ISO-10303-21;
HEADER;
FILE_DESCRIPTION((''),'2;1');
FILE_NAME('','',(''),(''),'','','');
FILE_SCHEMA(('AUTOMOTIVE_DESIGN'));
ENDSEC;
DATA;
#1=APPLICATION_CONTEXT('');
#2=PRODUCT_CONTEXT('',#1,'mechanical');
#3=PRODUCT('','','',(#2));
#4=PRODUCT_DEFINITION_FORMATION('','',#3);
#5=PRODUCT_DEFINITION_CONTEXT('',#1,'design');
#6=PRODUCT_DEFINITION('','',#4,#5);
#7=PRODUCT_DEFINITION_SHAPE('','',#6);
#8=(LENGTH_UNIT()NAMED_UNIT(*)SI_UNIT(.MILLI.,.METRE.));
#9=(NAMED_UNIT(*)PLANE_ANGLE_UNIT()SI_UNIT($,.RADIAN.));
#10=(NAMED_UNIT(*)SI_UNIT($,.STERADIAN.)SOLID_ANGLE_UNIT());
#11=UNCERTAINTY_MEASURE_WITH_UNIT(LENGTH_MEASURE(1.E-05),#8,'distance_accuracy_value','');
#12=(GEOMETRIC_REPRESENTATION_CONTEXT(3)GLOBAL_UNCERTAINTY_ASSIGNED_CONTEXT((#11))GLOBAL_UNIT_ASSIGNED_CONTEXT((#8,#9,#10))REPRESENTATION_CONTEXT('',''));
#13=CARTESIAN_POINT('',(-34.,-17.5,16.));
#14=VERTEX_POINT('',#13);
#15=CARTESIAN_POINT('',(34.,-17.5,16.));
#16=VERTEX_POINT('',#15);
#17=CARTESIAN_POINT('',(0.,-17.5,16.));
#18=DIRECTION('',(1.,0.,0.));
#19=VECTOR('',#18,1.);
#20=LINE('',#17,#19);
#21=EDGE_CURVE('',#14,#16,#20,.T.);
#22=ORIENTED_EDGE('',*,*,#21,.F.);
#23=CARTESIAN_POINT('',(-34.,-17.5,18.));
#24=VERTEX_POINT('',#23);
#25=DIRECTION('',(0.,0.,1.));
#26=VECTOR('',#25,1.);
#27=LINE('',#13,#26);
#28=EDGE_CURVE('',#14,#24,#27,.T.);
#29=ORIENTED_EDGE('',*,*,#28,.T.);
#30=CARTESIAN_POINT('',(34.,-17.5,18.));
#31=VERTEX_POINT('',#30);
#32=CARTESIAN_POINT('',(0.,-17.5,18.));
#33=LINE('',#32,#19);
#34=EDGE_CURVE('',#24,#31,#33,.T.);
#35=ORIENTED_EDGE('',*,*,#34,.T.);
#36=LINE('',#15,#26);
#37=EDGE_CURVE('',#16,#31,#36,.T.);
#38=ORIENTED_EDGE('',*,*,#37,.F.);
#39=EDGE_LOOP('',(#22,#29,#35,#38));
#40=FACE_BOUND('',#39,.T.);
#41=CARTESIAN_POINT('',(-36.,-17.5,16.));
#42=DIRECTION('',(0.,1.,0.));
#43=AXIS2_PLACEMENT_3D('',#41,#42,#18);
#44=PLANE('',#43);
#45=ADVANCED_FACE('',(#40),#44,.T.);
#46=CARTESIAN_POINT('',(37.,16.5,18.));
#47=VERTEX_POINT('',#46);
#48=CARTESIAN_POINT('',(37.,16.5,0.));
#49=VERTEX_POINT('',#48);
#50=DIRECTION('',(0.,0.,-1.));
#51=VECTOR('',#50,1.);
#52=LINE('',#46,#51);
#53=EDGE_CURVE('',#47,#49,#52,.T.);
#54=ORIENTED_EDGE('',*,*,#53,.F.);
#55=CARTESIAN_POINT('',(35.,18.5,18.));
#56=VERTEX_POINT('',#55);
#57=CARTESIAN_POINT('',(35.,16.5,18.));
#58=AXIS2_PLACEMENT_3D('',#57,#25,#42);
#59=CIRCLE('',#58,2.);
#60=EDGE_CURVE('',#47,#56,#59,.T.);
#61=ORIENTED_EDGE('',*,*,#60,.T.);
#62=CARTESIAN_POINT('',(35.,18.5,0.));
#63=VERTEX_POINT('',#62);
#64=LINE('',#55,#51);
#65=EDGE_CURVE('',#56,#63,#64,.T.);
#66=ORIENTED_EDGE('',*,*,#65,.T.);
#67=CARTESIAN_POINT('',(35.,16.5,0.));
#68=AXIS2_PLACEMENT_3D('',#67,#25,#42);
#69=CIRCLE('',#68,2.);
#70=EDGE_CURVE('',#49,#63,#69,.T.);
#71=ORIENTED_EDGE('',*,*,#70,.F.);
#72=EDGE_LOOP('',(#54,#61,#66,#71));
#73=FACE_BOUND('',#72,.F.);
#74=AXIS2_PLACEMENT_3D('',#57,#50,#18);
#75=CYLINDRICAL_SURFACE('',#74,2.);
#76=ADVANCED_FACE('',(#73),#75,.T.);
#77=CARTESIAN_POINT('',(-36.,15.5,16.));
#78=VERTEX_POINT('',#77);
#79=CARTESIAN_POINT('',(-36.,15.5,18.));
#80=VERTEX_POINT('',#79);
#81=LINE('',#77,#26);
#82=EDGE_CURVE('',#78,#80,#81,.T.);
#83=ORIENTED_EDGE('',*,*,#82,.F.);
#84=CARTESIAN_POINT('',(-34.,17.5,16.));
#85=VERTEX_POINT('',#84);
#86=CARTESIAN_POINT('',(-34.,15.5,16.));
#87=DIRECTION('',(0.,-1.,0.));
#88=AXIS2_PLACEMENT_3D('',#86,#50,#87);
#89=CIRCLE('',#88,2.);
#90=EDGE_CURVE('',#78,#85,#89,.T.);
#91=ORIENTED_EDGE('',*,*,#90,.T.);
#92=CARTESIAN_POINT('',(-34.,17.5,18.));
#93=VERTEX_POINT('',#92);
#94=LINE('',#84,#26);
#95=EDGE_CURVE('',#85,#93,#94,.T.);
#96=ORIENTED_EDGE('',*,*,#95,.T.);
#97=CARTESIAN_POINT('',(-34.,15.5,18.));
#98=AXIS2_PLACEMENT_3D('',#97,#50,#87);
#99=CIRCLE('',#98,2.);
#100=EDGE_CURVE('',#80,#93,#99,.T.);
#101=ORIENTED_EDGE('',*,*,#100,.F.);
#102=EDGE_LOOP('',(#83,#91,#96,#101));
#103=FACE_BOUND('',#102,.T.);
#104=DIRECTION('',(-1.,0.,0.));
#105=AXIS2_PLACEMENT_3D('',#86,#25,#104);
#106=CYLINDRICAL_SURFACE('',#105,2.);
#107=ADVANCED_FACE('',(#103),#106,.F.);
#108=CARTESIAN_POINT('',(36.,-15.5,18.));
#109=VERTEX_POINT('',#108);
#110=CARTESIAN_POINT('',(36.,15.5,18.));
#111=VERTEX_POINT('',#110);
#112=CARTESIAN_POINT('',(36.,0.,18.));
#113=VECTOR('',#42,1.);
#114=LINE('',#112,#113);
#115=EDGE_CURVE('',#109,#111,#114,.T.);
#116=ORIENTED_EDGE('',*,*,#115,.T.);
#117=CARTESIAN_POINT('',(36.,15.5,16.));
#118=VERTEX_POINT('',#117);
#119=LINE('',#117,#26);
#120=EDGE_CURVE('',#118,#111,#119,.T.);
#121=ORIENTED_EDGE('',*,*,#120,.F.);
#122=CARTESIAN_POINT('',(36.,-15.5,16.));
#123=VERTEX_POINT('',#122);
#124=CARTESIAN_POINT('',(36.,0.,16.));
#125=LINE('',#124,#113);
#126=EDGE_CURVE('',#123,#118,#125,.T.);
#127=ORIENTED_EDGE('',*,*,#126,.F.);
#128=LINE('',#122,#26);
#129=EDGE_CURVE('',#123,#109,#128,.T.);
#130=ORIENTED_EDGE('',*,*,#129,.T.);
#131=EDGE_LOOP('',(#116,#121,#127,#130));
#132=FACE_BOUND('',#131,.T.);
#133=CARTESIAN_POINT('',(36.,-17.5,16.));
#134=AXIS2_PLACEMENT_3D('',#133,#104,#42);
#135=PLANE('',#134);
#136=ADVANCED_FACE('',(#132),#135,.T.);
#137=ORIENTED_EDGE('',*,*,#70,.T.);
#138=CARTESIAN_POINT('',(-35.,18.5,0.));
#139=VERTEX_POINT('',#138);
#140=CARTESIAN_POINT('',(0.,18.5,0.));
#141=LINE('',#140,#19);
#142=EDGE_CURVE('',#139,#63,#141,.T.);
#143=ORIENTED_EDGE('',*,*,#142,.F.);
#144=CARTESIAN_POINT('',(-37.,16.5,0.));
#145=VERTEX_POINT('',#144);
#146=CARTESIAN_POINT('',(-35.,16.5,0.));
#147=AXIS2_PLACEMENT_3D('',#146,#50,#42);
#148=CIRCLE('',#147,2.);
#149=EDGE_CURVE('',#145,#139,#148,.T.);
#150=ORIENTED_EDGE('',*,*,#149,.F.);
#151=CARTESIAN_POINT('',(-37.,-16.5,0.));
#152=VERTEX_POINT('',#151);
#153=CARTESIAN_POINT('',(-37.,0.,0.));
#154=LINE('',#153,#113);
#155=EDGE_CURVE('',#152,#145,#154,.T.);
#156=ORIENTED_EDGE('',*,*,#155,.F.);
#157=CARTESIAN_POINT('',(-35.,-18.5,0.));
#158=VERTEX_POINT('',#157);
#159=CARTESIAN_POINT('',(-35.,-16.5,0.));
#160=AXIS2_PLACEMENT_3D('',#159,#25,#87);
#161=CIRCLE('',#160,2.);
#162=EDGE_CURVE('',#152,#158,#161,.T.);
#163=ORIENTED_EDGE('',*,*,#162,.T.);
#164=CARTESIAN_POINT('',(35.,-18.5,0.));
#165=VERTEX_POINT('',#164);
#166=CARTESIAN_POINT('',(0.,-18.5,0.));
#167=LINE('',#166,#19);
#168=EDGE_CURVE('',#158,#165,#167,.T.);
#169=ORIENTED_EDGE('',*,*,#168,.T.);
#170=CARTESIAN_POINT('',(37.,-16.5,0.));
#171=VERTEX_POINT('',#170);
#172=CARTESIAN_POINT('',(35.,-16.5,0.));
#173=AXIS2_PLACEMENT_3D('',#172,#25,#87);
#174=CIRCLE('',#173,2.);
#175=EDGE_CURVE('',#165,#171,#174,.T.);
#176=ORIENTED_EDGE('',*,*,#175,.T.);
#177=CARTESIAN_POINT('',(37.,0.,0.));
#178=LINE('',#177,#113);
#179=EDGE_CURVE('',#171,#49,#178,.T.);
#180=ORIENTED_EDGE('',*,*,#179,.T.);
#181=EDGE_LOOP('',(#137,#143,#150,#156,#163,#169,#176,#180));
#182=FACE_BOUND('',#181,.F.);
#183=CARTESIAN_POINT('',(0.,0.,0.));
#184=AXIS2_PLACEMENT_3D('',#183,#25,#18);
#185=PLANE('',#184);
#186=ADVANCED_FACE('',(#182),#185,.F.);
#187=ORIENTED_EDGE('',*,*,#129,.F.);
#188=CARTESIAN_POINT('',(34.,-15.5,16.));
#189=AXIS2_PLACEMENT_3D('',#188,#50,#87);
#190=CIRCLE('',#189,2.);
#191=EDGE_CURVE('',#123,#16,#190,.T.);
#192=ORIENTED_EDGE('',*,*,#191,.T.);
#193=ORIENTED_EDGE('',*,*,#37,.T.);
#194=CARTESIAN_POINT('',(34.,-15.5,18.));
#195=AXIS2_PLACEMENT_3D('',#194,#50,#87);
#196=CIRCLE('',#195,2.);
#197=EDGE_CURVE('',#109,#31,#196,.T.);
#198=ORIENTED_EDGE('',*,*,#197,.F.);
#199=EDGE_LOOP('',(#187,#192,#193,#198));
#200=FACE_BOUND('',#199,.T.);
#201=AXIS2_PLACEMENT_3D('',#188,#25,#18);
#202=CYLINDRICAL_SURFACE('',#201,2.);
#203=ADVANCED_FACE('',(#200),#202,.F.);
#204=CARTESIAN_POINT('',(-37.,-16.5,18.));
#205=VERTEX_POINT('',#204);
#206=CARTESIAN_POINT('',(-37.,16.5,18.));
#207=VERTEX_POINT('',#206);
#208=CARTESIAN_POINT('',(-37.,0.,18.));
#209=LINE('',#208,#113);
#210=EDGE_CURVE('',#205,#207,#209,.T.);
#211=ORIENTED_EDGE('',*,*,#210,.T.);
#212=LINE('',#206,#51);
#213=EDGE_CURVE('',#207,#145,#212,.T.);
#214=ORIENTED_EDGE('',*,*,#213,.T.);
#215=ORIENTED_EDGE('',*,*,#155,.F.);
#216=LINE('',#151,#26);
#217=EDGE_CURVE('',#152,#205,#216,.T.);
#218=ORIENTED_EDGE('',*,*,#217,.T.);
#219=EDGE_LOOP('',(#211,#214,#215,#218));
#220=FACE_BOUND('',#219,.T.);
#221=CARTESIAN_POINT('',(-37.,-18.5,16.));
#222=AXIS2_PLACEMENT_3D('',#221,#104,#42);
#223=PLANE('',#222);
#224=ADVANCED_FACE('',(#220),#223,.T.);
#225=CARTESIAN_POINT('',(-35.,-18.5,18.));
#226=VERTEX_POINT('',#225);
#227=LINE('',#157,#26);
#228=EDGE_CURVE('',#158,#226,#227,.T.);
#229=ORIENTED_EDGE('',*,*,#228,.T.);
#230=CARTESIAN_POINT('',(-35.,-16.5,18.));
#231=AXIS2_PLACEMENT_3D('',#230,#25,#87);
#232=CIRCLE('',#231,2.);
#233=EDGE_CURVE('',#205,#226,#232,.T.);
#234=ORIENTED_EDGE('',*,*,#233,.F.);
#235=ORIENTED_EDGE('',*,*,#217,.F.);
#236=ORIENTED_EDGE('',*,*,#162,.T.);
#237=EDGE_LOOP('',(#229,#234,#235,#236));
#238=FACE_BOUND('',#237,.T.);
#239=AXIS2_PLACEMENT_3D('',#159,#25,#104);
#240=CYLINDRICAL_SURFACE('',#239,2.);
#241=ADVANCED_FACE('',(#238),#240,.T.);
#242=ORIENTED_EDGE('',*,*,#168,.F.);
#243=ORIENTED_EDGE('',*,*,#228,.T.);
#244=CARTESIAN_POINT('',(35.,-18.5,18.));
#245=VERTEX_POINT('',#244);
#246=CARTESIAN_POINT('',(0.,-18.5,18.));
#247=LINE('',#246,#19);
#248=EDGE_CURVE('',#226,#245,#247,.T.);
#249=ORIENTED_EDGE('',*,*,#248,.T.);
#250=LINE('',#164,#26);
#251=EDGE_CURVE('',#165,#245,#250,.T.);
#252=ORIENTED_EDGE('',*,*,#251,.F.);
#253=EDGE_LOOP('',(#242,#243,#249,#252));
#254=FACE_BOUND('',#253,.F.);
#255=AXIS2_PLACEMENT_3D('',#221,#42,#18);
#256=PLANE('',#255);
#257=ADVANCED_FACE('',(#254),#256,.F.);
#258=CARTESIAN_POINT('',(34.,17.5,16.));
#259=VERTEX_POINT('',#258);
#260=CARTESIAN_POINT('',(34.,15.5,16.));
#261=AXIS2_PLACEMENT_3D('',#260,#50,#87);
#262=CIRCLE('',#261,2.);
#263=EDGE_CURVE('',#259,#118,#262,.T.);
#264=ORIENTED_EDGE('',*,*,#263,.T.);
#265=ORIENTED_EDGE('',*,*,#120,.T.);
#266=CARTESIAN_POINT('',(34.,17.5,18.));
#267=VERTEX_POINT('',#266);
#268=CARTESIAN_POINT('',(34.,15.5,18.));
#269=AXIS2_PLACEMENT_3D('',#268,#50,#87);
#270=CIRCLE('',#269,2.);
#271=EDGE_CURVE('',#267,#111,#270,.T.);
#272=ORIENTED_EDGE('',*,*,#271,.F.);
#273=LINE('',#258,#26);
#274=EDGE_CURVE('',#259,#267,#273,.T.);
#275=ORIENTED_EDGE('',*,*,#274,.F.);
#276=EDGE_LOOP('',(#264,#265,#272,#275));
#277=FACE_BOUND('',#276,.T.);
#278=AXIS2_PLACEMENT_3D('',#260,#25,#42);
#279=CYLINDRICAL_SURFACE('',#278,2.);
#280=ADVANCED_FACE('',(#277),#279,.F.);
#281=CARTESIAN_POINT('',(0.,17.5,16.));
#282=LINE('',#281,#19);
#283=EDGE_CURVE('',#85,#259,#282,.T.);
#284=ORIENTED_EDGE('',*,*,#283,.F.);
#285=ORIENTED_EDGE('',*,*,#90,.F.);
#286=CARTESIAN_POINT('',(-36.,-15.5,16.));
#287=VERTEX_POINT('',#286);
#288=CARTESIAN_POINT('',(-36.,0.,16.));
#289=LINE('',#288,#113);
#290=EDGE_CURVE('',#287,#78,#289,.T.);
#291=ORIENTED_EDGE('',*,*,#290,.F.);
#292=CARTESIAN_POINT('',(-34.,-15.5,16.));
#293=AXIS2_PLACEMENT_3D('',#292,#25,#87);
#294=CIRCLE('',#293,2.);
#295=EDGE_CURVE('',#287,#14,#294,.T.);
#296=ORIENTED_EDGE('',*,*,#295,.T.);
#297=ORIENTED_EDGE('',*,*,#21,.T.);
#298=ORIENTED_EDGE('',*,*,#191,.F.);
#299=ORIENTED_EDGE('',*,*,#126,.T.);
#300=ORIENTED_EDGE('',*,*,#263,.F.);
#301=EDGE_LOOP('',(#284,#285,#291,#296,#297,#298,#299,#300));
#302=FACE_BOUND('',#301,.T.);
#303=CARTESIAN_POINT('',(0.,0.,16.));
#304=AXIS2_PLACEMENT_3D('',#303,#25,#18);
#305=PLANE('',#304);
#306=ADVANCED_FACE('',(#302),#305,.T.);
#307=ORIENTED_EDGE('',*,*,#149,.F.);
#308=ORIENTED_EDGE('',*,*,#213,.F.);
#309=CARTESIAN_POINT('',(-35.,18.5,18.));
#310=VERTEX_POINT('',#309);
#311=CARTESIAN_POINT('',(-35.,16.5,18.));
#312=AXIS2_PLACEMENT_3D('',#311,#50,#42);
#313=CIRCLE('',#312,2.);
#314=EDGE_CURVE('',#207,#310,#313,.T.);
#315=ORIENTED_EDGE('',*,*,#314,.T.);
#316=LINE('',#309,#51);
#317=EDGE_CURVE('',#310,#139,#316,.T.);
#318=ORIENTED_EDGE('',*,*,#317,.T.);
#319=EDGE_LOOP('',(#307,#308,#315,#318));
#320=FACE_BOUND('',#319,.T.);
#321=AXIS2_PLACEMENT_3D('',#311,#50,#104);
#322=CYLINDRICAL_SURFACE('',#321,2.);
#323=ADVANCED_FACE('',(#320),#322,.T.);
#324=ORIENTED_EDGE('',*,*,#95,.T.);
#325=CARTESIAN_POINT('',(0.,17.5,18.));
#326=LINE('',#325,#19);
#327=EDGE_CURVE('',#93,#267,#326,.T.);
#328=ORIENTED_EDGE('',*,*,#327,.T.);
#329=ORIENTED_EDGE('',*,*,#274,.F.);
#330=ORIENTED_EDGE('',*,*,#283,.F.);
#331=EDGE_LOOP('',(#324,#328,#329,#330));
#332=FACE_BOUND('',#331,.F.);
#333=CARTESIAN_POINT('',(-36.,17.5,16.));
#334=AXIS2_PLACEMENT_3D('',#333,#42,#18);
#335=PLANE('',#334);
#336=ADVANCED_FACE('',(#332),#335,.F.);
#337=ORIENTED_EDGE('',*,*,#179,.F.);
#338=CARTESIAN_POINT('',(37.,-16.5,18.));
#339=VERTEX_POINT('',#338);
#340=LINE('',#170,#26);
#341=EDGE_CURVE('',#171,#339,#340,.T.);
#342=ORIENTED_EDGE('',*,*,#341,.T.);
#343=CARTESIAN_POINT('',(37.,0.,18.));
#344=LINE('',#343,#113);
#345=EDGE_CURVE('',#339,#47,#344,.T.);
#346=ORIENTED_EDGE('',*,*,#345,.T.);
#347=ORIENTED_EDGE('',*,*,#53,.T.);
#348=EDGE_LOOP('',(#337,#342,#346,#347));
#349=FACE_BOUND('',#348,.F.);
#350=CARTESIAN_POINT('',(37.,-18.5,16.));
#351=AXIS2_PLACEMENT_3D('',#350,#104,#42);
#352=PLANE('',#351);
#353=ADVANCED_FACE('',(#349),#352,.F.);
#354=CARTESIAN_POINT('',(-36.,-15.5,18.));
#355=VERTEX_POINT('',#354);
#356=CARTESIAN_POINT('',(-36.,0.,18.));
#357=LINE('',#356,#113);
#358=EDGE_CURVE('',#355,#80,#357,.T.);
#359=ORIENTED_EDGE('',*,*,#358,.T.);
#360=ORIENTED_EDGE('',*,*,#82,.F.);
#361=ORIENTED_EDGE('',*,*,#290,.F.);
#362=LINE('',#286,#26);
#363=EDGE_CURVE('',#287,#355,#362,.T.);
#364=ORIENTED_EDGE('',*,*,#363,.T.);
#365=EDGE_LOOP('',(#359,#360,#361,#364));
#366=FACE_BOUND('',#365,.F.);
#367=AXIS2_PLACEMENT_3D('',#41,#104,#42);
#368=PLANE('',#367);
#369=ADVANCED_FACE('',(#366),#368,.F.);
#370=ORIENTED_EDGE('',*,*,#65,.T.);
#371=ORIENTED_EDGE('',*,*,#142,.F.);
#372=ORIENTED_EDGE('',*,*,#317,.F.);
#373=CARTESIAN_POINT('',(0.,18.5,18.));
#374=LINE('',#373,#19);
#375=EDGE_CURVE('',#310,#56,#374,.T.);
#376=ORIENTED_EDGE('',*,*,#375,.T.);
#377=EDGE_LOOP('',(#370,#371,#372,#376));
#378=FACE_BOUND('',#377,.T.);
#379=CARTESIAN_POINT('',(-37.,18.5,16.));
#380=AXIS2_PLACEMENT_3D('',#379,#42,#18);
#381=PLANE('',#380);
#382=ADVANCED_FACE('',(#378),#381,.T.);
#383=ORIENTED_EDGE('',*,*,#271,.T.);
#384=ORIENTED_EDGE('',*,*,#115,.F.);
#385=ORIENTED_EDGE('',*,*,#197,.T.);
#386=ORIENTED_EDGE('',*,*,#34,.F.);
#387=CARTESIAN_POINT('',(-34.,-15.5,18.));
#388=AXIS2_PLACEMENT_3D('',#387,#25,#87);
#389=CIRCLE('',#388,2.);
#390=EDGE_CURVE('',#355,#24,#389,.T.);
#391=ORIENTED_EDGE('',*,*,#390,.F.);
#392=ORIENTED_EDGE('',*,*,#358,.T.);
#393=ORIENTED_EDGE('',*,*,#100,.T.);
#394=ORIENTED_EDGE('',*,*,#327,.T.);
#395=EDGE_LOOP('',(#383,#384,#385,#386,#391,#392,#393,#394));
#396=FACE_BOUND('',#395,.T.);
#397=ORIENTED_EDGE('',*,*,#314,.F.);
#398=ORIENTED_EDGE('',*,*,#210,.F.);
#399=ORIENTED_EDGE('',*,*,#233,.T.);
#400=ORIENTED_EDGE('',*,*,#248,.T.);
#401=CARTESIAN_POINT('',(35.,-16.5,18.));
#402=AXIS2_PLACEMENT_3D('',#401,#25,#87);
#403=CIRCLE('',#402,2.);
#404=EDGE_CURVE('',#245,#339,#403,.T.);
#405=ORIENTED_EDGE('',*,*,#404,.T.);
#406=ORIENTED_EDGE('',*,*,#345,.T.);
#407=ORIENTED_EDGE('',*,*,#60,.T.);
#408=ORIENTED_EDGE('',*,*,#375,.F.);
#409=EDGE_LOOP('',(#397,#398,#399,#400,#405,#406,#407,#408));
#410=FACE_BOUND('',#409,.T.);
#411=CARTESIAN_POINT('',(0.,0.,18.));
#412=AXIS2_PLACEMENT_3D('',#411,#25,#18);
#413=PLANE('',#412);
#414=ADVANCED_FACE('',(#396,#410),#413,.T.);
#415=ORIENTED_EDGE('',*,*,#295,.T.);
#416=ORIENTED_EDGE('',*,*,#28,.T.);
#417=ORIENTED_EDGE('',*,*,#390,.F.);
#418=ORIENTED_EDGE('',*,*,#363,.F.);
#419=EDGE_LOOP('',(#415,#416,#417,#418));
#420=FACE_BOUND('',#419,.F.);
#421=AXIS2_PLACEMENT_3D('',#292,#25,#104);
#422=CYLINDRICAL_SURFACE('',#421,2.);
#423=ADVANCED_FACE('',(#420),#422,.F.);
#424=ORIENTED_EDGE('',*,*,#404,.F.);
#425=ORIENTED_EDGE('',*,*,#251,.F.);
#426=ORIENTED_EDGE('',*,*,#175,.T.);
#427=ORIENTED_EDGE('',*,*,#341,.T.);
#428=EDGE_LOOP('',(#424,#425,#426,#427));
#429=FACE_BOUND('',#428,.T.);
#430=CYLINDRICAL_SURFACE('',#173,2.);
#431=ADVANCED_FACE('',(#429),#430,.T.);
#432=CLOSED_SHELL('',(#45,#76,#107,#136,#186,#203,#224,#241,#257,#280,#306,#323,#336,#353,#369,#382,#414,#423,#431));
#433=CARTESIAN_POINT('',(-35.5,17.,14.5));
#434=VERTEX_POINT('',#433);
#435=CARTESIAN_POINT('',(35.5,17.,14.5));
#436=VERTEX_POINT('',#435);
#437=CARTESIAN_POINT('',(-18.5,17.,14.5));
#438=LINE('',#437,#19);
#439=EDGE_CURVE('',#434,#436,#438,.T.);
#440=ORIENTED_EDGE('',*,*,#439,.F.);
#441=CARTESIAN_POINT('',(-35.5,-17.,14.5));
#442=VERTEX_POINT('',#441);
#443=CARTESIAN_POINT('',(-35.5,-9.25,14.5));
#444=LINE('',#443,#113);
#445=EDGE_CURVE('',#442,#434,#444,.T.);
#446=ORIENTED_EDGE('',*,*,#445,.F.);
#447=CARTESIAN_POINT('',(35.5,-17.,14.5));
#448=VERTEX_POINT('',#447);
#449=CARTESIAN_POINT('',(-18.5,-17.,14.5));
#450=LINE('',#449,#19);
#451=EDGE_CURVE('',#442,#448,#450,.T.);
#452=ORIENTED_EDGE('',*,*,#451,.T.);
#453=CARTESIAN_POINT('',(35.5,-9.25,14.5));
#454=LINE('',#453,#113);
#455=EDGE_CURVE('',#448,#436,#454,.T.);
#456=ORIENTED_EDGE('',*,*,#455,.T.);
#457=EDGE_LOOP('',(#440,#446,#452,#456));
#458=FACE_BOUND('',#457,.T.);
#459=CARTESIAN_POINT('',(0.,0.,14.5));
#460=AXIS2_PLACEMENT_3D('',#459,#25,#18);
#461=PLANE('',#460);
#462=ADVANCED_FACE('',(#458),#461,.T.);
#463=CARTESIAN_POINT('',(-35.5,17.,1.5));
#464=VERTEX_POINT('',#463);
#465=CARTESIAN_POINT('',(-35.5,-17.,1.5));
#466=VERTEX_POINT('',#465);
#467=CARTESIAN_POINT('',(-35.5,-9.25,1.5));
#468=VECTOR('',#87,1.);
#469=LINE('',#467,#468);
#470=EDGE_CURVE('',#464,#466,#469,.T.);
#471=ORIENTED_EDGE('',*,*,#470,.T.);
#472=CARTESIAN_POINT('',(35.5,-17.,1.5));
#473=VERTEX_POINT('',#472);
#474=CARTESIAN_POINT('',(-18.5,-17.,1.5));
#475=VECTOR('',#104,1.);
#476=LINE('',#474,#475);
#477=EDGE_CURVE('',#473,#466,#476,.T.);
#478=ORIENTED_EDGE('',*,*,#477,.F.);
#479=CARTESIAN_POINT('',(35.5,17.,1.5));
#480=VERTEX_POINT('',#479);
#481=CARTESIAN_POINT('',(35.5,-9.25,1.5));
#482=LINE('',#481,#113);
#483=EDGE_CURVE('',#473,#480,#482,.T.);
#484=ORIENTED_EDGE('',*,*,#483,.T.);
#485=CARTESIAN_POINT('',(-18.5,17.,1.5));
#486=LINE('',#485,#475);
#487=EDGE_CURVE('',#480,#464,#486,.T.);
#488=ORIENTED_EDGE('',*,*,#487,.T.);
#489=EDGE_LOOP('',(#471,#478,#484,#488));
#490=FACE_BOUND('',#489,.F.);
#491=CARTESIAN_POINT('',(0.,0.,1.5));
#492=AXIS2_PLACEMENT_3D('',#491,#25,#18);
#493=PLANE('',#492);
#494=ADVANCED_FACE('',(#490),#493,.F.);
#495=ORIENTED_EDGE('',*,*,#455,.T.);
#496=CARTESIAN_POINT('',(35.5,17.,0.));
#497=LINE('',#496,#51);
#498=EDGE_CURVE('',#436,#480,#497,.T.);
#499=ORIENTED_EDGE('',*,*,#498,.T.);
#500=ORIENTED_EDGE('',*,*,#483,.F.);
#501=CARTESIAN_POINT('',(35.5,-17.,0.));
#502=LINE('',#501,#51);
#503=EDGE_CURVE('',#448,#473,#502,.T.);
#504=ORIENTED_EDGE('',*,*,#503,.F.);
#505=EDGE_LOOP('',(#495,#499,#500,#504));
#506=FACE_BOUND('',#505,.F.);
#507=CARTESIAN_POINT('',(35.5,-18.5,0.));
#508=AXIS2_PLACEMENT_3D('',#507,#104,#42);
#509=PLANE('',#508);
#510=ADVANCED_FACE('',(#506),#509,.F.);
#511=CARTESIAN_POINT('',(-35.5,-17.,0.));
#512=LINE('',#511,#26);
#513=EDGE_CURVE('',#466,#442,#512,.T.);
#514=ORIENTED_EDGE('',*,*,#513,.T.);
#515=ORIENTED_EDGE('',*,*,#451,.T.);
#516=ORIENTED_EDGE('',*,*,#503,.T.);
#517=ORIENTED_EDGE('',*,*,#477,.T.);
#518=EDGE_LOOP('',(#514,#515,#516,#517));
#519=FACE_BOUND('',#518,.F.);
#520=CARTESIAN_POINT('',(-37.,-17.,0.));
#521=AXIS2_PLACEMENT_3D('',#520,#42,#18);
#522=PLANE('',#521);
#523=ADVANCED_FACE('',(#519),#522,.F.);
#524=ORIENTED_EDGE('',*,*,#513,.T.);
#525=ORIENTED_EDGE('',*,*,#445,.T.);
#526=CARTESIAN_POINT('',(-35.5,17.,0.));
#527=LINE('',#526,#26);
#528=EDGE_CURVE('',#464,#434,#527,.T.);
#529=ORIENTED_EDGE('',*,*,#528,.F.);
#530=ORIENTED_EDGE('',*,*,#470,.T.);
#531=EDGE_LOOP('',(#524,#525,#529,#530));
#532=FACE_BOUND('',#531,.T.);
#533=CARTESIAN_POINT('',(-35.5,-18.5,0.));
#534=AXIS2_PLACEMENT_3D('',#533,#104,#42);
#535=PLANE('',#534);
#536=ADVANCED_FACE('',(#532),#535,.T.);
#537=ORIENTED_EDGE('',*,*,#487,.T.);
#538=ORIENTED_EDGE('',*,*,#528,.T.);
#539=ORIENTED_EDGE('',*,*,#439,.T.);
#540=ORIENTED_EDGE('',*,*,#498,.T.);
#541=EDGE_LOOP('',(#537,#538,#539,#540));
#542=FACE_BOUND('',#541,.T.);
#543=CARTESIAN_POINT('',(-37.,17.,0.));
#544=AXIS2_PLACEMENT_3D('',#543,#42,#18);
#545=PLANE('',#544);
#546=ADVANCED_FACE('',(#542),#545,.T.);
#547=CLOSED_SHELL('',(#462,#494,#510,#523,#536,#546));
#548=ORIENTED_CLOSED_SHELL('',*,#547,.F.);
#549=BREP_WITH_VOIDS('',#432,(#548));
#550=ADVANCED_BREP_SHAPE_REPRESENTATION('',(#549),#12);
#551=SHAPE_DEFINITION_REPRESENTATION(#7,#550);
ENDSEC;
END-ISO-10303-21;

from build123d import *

# Parameters (mm, degrees)
F0_W     = 74
F0_H     = 37
F1_DEPTH = 16
F2_T     = -1.5
F3_W     = 74
F3_H     = 37
F3_W_2   = 72
F3_H_2   = 35
F4_DEPTH = 2
F5_R     = 2


with BuildPart() as f1:
    # F0 (on Top) → F1 (new body)
    with BuildSketch(Plane.XY):
        Rectangle(F0_W, F0_H)
    extrude(amount=F1_DEPTH)

    # F2 (hollow: no face is removed)
    offset(amount=F2_T, mode=Mode.SUBTRACT)

    # F3 (on face) → F4 (join)
    with BuildSketch(Plane.XY.offset(16)):
        Rectangle(F3_W, F3_H)
        Rectangle(F3_W_2, F3_H_2, mode=Mode.SUBTRACT)
    extrude(amount=F4_DEPTH)

    # F5
    f5_edges = [f1.edges().sort_by_distance(p)[0] for p in [
        (-37, -18.5, 9),
        (36, 17.5, 17),
        (-36, 17.5, 17),
        (-36, -17.5, 17),
        (36, -17.5, 17),
        (37, -18.5, 9),
        (-37, 18.5, 9),
        (37, 18.5, 9),
    ]]
    fillet(f5_edges, radius=F5_R)


solid = f1.part
